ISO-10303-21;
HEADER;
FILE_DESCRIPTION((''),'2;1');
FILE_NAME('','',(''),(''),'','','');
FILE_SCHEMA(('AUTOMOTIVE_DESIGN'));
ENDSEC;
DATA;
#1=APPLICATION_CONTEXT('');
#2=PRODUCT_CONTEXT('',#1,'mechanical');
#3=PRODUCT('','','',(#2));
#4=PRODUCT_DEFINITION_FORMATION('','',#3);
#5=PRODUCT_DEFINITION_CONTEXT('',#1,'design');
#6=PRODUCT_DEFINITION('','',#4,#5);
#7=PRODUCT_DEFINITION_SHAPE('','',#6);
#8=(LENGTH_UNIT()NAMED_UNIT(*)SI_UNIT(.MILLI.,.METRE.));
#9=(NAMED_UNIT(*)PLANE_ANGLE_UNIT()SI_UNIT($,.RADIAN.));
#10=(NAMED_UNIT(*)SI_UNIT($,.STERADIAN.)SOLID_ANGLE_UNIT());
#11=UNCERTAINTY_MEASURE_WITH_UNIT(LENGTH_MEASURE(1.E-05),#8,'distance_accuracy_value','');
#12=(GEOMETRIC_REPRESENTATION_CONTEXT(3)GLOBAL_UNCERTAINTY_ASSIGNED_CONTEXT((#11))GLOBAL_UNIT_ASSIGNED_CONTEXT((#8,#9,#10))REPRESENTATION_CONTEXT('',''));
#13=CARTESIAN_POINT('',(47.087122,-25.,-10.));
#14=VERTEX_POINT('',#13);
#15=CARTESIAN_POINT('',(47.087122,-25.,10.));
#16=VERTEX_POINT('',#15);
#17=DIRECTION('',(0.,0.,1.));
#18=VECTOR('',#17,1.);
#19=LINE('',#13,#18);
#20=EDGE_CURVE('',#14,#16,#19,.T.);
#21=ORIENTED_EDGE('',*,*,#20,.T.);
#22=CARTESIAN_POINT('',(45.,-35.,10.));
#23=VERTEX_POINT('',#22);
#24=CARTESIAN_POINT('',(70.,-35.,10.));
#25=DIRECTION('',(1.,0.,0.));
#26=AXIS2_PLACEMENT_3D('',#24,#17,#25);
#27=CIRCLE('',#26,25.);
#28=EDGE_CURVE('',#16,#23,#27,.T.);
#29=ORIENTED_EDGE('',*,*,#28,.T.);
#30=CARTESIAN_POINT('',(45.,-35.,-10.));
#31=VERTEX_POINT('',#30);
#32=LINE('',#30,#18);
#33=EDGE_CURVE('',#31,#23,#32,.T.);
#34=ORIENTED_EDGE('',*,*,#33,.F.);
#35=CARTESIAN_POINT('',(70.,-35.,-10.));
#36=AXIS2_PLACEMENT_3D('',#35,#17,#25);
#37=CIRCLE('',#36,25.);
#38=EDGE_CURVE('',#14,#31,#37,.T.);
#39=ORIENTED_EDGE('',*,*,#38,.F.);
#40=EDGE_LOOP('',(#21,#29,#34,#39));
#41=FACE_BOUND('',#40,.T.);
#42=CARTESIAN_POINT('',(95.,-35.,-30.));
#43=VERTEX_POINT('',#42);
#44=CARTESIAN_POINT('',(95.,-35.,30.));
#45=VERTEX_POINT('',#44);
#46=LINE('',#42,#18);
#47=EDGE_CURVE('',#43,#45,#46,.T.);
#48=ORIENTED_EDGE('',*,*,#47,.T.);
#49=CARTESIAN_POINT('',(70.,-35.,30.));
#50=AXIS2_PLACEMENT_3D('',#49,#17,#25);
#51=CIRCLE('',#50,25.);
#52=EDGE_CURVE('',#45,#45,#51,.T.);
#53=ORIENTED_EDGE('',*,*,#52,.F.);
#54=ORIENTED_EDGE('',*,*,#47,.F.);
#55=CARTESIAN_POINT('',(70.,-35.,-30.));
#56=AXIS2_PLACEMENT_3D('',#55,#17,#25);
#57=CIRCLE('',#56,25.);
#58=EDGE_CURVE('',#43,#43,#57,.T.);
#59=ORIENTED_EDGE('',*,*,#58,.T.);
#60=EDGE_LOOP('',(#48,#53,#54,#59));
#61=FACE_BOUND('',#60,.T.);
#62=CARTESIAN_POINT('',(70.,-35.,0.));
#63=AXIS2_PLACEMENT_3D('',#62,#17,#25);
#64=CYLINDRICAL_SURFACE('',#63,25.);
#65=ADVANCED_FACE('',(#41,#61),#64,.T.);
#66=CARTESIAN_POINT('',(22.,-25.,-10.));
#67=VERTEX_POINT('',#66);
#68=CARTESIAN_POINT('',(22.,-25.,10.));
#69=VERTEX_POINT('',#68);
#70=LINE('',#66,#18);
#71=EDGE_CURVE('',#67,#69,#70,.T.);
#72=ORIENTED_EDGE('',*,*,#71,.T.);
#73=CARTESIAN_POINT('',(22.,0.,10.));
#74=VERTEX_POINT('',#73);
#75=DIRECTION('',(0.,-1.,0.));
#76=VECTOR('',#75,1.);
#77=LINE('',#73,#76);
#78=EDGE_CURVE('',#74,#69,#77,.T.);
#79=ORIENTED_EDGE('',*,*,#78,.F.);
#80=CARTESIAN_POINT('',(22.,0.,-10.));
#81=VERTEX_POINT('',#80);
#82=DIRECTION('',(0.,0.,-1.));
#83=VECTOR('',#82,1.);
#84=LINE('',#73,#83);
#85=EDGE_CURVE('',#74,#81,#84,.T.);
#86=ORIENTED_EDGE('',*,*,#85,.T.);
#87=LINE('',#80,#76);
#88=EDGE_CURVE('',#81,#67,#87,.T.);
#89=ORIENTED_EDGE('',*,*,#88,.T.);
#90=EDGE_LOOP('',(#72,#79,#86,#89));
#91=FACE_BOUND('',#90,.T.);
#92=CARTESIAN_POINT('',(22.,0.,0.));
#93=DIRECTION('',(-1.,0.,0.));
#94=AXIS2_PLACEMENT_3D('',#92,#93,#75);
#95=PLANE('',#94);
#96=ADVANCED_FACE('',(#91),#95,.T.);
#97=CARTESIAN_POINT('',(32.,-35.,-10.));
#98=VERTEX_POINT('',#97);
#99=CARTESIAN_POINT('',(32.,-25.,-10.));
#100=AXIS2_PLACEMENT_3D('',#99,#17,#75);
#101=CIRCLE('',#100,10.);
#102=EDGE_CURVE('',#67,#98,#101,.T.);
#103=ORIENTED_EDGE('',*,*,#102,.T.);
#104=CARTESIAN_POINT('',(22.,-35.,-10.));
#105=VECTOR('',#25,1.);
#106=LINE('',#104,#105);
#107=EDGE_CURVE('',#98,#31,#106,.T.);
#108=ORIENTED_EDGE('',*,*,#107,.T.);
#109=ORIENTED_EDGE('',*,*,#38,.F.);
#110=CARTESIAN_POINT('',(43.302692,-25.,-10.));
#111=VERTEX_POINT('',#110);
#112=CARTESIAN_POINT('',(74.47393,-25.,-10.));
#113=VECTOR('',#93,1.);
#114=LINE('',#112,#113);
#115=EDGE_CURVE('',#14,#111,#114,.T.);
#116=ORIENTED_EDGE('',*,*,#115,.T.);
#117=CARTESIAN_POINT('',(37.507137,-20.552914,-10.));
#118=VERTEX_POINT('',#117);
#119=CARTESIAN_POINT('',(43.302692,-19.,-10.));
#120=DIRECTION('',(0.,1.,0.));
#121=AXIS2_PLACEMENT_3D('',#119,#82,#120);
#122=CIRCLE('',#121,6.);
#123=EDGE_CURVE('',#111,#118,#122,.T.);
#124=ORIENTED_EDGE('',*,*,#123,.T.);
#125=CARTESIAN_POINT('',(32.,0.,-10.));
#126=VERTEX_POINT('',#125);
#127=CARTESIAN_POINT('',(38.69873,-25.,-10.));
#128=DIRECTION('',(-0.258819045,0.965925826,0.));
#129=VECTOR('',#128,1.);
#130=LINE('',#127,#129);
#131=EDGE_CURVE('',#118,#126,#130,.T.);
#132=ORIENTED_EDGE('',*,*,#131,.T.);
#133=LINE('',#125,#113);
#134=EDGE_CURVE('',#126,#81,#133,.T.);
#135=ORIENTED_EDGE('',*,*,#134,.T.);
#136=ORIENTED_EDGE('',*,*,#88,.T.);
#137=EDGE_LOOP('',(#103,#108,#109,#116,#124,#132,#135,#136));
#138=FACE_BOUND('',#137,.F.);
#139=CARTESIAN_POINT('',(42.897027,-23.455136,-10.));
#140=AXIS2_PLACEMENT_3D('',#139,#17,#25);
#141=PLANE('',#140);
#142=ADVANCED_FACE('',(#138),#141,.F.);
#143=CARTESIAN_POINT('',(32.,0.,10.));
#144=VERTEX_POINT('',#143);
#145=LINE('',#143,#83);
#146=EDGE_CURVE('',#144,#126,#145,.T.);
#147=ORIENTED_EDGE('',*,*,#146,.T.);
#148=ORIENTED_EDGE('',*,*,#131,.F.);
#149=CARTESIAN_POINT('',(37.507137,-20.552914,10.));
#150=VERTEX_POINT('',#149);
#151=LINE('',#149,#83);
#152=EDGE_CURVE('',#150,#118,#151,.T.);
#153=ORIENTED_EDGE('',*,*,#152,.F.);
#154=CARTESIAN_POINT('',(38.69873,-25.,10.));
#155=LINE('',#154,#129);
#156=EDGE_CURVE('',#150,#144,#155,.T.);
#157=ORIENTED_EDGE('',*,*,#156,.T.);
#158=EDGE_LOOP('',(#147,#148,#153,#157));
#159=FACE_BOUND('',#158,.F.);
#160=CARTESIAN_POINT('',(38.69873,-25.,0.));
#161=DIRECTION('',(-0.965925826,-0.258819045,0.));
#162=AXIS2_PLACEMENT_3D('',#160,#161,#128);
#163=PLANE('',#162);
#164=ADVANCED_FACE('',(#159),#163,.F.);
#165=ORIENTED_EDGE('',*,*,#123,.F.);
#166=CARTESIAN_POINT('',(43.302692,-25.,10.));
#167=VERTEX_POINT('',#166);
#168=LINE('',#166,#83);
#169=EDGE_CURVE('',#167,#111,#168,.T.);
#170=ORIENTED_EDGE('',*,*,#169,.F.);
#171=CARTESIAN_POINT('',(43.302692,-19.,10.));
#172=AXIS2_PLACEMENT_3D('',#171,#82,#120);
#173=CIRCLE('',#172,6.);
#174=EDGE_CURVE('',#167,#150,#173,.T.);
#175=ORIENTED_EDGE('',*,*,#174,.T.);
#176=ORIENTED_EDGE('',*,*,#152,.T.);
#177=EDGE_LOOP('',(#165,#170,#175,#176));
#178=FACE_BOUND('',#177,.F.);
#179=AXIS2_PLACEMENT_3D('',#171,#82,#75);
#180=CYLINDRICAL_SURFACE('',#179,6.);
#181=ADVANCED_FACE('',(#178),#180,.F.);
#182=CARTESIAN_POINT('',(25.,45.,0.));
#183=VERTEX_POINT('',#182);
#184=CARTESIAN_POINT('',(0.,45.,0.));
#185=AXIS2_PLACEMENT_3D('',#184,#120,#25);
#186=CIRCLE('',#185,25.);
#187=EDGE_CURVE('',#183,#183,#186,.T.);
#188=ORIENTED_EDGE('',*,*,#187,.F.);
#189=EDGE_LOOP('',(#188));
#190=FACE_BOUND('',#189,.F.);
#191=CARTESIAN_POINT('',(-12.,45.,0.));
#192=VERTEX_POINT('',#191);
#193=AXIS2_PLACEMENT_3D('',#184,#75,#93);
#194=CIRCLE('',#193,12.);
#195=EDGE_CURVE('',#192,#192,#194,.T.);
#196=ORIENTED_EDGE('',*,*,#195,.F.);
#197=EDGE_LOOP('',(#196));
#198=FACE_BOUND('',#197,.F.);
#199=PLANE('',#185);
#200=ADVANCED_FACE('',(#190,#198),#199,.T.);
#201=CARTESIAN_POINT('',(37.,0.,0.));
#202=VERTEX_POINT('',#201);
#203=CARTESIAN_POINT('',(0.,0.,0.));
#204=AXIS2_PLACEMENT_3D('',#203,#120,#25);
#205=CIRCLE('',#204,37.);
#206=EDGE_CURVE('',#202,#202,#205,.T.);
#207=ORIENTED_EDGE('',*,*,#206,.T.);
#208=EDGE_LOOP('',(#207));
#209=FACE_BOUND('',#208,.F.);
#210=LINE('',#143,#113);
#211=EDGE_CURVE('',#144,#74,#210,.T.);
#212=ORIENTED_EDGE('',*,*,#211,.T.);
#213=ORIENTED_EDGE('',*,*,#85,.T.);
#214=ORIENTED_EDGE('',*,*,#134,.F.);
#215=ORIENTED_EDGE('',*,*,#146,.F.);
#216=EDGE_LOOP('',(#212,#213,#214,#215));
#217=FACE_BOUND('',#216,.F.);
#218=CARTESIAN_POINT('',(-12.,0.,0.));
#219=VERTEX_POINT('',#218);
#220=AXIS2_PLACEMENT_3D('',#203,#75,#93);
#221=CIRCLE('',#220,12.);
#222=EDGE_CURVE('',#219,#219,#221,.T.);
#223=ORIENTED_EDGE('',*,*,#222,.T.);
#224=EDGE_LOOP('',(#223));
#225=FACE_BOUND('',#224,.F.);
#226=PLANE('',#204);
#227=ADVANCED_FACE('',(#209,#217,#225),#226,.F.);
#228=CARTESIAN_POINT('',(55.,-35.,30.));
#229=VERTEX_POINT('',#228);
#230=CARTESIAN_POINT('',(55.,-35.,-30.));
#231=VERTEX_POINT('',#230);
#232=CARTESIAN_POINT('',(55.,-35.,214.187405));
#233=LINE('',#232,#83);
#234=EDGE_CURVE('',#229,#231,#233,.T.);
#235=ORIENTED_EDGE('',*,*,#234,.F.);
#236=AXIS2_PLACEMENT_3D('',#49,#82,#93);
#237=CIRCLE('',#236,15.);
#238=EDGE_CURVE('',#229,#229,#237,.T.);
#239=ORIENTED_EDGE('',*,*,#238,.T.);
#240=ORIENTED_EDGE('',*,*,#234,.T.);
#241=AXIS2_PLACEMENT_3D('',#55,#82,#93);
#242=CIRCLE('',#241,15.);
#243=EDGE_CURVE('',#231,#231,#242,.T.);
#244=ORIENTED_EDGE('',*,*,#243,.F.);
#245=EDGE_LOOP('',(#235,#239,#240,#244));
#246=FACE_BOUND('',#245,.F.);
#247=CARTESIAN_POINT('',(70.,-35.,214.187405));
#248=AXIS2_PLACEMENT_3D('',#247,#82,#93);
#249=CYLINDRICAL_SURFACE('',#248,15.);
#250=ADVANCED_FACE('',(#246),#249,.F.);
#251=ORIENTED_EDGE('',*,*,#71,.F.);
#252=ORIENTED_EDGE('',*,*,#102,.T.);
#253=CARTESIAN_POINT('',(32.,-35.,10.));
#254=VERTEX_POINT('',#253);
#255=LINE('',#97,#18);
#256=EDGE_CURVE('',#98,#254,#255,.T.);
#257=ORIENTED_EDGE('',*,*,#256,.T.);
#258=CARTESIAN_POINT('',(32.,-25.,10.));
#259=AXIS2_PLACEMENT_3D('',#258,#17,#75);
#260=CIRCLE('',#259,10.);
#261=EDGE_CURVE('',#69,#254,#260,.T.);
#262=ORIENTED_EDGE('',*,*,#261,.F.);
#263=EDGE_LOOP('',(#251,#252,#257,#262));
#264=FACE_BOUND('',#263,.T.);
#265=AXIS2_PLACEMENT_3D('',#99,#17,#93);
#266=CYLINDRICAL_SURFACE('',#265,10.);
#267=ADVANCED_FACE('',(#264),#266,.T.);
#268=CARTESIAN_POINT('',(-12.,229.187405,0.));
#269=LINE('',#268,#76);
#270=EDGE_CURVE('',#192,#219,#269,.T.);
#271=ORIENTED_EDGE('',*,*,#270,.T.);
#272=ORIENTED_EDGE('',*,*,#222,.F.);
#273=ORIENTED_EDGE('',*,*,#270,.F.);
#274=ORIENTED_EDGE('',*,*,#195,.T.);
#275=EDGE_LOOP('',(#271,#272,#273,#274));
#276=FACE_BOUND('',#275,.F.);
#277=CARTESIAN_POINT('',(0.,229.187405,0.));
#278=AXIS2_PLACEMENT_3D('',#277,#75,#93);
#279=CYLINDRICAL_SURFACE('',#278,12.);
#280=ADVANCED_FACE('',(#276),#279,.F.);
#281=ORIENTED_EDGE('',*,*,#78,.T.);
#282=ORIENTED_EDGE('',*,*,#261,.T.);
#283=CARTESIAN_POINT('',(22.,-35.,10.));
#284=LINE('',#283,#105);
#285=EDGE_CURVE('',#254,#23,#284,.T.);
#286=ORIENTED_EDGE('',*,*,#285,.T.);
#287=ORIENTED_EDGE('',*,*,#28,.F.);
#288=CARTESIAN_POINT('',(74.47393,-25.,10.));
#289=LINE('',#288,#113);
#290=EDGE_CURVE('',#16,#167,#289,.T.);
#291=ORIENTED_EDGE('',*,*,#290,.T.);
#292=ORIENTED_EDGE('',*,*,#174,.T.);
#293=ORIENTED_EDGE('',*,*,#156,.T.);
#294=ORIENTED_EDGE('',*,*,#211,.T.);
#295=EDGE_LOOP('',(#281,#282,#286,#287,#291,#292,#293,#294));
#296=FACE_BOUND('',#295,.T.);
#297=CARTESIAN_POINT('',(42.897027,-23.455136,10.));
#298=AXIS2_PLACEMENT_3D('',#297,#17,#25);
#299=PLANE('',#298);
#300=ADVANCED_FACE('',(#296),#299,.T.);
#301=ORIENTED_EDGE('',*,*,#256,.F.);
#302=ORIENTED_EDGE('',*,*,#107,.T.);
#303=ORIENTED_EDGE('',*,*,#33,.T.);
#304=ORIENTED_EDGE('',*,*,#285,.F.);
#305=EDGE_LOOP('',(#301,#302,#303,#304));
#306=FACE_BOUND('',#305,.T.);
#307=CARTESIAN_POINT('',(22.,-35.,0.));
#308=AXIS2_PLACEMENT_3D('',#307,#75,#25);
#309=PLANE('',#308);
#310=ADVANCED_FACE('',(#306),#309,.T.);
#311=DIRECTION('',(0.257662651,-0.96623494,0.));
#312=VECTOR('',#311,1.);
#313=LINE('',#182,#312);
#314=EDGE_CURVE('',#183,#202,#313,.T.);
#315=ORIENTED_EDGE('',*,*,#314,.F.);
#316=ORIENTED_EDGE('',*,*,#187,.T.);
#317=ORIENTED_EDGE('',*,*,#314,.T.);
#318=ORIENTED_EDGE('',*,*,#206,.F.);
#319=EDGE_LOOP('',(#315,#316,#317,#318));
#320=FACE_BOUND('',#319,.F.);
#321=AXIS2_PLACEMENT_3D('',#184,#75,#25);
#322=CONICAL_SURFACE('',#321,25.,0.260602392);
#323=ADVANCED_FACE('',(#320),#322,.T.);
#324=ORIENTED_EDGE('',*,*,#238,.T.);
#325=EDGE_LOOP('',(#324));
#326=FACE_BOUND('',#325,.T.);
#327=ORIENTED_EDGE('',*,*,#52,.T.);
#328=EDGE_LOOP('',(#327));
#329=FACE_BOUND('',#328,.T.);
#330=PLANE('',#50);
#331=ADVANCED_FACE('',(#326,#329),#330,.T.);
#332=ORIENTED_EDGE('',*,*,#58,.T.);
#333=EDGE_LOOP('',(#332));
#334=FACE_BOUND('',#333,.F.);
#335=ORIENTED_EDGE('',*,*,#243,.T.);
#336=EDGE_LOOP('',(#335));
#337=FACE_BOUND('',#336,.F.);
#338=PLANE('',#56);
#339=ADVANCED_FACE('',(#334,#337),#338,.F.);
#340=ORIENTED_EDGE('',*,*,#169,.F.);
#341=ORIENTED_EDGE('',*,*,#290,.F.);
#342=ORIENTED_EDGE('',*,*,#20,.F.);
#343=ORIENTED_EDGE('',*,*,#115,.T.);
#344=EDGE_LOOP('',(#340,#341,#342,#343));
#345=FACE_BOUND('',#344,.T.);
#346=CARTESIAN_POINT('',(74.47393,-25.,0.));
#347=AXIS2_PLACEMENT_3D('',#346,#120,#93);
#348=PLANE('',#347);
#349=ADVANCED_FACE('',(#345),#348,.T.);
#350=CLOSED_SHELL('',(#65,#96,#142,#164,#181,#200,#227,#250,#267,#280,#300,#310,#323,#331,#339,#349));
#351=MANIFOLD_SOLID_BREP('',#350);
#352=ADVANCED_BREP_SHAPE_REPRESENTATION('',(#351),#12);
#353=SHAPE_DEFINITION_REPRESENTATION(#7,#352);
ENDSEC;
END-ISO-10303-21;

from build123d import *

# Parameters (mm, degrees)
BOSS_EXTRUDE1_DEPTH      = 30
BOSS_EXTRUDE1_DEPTH_BACK = 30
SKETCH2_R                = 25
BOSS_EXTRUDE2_DEPTH      = 10
BOSS_EXTRUDE2_DEPTH_BACK = 10
FILLET1_R                = 10
FILLET2_R                = 6
F_1_0MM_DOWEL_HOLE1_D    = 24
F_1_0MM_DOWEL_HOLE2_D    = 30


with BuildPart() as part:
    # Sketch1 → Revolve1 (revolve)
    with BuildSketch(Plane.XY):
        Polygon((0, 0), (0, 45), (25, 45), (37, 0), align=None)
    revolve(axis=Axis((0, 0, 0), (0, 1, 0)))



with BuildPart() as body_2:
    # Sketch2 → Boss-Extrude1 (new, two sides: drawn at the far end of the back side and taken through both)
    with BuildSketch(Plane.XY.offset(-BOSS_EXTRUDE1_DEPTH_BACK)):
        with Locations((70, -35)):
            Circle(SKETCH2_R)
    extrude(amount=BOSS_EXTRUDE1_DEPTH + BOSS_EXTRUDE1_DEPTH_BACK)


with BuildPart() as part_1:
    add(part.part)

    add(body_2.part)  # Boss-Extrude2 merges body 2
    # Sketch3 → Boss-Extrude2 (add, two sides: drawn at the far end of the back side and taken through both)
    with BuildSketch(Plane.XY.offset(-BOSS_EXTRUDE2_DEPTH_BACK)):
        Polygon((22, 0), (22, -35), (74.473929912, -35), (74.473929912, -25), (38.698729811, -25), (32, 0), align=None)
    extrude(amount=BOSS_EXTRUDE2_DEPTH + BOSS_EXTRUDE2_DEPTH_BACK)

    # Fillet1
    fillet1_edges = [part_1.edges().sort_by_distance(p)[0] for p in [
        (22, -35, 0),
    ]]
    fillet(fillet1_edges, radius=FILLET1_R)

    # Fillet2
    fillet2_edges = [part_1.edges().sort_by_distance(p)[0] for p in [
        (38.698729811, -25, 0),
    ]]
    fillet(fillet2_edges, radius=FILLET2_R)

    # Ø1.0mm Dowel Hole1 (through all)
    with Locations(Plane(origin=(0, 45, 0), x_dir=(1, 0, 0), z_dir=(0, 1, 0))):
        with Locations((0, 0)):
            Hole(F_1_0MM_DOWEL_HOLE1_D / 2)

    # Ø1.0mm Dowel Hole2 (through all)
    with Locations(Plane.XY.offset(30)):
        with Locations((70, -35)):
            Hole(F_1_0MM_DOWEL_HOLE2_D / 2)


solid = part_1.part
